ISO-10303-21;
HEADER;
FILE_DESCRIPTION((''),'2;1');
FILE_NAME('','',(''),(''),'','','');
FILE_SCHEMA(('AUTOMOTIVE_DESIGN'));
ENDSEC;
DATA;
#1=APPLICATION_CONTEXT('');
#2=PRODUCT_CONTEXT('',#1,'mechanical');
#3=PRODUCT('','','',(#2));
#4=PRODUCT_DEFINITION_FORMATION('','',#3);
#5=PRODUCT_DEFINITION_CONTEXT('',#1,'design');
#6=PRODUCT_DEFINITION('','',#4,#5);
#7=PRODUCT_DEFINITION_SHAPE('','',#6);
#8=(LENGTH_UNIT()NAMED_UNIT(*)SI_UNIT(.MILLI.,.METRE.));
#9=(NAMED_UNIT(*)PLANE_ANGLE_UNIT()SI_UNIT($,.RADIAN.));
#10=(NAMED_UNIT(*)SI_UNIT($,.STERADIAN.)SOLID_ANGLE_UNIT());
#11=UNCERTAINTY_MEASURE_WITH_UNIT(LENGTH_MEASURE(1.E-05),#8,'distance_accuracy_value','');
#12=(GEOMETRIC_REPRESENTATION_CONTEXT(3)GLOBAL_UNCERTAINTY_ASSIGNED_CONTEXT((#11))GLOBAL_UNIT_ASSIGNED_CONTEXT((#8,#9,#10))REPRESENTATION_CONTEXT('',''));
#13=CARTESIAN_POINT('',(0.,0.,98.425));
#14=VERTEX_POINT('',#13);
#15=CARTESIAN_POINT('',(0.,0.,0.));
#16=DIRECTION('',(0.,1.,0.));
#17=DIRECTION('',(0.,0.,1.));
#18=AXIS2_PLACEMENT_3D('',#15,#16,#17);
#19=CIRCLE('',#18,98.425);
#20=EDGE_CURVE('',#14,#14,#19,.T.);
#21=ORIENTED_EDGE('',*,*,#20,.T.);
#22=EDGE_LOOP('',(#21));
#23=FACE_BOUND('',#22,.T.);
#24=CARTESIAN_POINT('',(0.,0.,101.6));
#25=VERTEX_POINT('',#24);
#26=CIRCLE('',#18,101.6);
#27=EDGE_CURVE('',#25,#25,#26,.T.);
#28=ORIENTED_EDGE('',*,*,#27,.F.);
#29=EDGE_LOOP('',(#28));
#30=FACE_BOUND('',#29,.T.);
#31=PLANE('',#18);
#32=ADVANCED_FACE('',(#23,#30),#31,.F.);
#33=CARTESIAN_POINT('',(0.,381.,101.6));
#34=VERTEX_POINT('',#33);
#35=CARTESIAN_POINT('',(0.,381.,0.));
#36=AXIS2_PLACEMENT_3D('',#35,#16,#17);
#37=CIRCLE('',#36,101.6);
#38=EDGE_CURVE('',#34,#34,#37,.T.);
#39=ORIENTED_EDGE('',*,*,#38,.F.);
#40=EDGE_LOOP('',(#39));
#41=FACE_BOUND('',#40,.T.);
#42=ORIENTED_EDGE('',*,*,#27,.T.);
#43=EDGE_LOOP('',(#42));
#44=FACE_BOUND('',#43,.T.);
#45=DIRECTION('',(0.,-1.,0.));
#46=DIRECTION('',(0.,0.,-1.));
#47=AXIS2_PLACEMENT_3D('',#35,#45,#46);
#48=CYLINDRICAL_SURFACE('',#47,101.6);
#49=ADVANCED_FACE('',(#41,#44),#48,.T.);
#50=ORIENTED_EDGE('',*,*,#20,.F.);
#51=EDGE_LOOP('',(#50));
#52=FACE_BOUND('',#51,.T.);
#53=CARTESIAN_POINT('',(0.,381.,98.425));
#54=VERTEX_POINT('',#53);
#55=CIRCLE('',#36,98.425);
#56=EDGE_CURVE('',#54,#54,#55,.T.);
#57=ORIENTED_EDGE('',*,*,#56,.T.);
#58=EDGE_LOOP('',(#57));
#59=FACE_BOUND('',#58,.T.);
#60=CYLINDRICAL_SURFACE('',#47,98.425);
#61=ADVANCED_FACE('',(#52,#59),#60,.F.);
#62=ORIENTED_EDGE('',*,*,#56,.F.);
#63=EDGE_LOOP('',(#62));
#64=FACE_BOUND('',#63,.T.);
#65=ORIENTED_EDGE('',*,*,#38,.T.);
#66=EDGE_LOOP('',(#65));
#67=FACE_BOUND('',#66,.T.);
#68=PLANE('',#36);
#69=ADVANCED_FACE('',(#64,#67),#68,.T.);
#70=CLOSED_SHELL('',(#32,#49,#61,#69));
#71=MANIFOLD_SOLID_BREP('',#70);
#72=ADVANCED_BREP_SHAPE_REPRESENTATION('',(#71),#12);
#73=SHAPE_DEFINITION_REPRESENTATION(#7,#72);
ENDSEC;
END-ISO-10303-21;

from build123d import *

# Parameters (mm, degrees)
SKETCH1_R           = 101.6
SKETCH1_R_2         = 98.425
BOSS_EXTRUDE1_DEPTH = 381


with BuildPart() as part:
    # Sketch1 → Boss-Extrude1 (new body)
    with BuildSketch(Plane(origin=(0, 0, 0), x_dir=(1, 0, 0), z_dir=(0, 1, 0))):
        Circle(SKETCH1_R)
        Circle(SKETCH1_R_2, mode=Mode.SUBTRACT)
    extrude(amount=BOSS_EXTRUDE1_DEPTH)


solid = part.part
